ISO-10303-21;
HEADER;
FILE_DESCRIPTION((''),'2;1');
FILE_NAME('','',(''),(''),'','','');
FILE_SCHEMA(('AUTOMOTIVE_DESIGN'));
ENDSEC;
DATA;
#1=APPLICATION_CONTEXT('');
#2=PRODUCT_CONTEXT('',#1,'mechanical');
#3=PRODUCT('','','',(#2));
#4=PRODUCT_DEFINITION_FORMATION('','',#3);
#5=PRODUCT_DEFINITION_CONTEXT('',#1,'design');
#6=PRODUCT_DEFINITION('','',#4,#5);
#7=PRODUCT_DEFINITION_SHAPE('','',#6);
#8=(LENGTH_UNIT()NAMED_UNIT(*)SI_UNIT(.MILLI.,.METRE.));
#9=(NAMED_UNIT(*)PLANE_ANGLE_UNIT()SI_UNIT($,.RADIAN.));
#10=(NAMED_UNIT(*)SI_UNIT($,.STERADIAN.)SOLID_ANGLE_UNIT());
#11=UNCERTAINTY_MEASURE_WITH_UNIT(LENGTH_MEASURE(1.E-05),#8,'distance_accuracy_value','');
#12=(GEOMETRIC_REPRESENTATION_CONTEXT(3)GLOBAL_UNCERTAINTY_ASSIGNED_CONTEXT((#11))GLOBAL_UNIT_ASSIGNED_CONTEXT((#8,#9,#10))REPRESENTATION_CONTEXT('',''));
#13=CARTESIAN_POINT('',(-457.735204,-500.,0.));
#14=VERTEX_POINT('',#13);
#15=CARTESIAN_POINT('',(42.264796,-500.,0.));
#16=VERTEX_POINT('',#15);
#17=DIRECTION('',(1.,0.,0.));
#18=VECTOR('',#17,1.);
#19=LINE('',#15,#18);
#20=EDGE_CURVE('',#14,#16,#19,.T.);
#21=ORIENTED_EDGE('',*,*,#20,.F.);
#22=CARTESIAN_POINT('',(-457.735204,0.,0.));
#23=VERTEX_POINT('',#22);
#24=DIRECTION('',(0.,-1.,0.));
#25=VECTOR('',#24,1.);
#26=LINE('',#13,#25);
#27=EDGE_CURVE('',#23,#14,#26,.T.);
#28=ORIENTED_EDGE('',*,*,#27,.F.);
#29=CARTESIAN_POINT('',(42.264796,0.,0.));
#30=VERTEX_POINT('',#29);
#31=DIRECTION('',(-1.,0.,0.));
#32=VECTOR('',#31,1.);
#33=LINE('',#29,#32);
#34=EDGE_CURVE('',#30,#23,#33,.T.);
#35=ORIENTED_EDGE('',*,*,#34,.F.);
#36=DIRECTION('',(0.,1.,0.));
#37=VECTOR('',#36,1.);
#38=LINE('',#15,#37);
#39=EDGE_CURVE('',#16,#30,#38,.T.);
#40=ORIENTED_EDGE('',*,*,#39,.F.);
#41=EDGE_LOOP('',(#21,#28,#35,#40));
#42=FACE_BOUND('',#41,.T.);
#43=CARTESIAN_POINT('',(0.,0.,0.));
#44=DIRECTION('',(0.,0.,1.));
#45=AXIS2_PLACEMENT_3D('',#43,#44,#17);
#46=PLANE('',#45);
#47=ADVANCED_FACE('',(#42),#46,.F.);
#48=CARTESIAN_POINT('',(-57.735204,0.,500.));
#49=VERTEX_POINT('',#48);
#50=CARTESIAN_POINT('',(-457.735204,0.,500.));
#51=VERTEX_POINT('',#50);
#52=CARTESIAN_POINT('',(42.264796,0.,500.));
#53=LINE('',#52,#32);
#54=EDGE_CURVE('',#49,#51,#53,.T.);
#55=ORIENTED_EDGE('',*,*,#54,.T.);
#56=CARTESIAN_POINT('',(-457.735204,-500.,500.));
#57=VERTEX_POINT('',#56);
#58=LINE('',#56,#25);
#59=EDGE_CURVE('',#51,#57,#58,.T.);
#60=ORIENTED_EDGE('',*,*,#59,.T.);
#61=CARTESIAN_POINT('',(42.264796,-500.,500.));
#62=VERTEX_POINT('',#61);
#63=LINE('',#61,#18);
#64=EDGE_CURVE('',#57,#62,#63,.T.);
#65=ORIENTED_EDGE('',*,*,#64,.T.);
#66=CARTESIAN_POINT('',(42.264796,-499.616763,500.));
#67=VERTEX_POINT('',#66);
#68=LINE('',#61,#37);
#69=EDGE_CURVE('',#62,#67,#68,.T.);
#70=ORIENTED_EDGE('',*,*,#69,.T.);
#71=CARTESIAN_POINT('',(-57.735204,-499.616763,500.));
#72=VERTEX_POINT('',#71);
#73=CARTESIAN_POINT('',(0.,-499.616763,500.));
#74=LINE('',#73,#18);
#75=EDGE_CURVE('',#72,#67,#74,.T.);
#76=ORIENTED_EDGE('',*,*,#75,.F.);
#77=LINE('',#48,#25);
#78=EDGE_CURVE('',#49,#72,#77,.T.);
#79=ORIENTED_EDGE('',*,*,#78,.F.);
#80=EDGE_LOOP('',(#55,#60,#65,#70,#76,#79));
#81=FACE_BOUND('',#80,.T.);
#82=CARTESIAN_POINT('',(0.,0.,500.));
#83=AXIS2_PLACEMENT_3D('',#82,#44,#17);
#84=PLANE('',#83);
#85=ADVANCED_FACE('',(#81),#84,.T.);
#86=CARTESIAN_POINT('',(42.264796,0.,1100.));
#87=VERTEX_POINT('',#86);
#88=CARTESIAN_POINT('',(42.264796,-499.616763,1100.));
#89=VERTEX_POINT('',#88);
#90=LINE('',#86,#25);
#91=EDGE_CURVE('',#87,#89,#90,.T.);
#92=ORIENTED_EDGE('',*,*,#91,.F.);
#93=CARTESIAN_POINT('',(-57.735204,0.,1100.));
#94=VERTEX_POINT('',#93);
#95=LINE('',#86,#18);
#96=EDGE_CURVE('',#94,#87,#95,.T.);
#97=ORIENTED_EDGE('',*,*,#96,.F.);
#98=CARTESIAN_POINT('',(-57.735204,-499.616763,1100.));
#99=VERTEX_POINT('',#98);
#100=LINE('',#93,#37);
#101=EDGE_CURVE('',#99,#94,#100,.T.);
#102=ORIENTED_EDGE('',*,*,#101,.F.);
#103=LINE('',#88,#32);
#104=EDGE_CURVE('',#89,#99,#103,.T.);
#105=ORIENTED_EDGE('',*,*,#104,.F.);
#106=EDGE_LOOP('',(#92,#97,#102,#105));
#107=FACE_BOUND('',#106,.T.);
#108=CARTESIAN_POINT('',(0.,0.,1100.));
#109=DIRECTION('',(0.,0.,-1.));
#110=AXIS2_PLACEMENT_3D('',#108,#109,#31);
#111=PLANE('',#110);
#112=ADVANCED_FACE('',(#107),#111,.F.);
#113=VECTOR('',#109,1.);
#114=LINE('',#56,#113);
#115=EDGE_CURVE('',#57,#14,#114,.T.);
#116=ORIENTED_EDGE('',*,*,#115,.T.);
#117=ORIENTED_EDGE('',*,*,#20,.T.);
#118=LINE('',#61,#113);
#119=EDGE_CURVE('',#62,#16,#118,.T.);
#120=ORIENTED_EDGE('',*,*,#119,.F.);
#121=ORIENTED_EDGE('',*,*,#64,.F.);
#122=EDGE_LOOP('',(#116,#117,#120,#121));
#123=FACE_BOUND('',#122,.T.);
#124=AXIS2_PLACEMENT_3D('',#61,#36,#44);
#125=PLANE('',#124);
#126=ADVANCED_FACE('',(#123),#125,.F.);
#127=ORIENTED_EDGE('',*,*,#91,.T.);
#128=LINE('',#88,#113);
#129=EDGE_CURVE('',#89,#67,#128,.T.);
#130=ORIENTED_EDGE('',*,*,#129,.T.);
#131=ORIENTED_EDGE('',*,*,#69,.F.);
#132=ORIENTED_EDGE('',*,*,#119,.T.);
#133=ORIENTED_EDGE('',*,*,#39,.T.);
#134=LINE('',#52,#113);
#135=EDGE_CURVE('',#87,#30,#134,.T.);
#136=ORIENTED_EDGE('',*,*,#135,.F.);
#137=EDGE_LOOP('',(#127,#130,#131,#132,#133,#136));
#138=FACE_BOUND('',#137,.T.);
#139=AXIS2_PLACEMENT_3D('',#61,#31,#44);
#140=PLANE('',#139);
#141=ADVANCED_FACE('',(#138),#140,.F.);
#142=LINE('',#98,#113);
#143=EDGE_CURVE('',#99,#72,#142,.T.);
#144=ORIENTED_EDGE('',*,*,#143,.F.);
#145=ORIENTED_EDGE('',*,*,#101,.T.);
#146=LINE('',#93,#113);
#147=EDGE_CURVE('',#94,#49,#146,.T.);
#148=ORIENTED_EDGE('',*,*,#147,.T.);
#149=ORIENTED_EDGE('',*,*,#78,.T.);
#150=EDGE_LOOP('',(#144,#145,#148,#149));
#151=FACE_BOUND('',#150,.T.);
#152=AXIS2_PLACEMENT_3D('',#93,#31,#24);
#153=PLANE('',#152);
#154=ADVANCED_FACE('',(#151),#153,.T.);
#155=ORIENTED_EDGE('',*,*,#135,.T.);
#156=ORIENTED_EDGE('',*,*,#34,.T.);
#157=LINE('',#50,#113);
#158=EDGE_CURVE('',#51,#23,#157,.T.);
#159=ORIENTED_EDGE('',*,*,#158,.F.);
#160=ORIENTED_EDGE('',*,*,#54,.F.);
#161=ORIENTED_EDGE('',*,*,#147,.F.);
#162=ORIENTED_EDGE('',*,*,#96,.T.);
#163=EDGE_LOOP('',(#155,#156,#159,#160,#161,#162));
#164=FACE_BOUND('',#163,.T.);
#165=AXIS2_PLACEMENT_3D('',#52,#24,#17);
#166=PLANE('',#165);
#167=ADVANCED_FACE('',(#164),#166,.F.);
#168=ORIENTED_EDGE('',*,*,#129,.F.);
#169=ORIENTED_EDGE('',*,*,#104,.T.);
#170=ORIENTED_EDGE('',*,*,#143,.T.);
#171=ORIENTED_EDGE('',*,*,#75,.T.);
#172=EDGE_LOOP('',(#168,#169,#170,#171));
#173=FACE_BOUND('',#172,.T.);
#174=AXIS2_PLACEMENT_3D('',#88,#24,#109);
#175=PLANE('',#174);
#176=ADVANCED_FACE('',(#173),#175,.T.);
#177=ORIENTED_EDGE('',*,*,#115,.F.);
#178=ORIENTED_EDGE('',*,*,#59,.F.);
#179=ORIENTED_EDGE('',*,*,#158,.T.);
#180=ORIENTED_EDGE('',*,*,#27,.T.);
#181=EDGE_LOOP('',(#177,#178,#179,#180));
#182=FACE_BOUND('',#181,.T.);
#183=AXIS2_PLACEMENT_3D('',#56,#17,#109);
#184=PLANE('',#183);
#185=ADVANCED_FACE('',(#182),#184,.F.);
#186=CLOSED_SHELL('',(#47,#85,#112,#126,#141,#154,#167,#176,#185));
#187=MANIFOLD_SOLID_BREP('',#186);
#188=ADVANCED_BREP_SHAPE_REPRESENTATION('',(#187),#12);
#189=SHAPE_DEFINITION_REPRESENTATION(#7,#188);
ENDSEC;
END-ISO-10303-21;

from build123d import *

# Parameters (mm, degrees)
SKETCH1_W           = 500
SKETCH1_H           = 500
BOSS_EXTRUDE1_DEPTH = 500
SKETCH2_W           = 100
SKETCH2_H           = 499.616763286
BOSS_EXTRUDE2_DEPTH = 1100


with BuildPart() as part:
    # Sketch1 → Boss-Extrude1 (new body)
    with BuildSketch(Plane.XY):
        with Locations((-207.735203718, -250)):
            Rectangle(SKETCH1_W, SKETCH1_H)
    extrude(amount=BOSS_EXTRUDE1_DEPTH)

    # Sketch2 → Boss-Extrude2 (add)
    with BuildSketch(Plane(origin=(0, 0, 0), x_dir=(-1, 0, 0), z_dir=(0, 0, -1))):
        with Locations((7.735203718, -249.808381643)):
            Rectangle(SKETCH2_W, SKETCH2_H)
    extrude(amount=-BOSS_EXTRUDE2_DEPTH)


solid = part.part
